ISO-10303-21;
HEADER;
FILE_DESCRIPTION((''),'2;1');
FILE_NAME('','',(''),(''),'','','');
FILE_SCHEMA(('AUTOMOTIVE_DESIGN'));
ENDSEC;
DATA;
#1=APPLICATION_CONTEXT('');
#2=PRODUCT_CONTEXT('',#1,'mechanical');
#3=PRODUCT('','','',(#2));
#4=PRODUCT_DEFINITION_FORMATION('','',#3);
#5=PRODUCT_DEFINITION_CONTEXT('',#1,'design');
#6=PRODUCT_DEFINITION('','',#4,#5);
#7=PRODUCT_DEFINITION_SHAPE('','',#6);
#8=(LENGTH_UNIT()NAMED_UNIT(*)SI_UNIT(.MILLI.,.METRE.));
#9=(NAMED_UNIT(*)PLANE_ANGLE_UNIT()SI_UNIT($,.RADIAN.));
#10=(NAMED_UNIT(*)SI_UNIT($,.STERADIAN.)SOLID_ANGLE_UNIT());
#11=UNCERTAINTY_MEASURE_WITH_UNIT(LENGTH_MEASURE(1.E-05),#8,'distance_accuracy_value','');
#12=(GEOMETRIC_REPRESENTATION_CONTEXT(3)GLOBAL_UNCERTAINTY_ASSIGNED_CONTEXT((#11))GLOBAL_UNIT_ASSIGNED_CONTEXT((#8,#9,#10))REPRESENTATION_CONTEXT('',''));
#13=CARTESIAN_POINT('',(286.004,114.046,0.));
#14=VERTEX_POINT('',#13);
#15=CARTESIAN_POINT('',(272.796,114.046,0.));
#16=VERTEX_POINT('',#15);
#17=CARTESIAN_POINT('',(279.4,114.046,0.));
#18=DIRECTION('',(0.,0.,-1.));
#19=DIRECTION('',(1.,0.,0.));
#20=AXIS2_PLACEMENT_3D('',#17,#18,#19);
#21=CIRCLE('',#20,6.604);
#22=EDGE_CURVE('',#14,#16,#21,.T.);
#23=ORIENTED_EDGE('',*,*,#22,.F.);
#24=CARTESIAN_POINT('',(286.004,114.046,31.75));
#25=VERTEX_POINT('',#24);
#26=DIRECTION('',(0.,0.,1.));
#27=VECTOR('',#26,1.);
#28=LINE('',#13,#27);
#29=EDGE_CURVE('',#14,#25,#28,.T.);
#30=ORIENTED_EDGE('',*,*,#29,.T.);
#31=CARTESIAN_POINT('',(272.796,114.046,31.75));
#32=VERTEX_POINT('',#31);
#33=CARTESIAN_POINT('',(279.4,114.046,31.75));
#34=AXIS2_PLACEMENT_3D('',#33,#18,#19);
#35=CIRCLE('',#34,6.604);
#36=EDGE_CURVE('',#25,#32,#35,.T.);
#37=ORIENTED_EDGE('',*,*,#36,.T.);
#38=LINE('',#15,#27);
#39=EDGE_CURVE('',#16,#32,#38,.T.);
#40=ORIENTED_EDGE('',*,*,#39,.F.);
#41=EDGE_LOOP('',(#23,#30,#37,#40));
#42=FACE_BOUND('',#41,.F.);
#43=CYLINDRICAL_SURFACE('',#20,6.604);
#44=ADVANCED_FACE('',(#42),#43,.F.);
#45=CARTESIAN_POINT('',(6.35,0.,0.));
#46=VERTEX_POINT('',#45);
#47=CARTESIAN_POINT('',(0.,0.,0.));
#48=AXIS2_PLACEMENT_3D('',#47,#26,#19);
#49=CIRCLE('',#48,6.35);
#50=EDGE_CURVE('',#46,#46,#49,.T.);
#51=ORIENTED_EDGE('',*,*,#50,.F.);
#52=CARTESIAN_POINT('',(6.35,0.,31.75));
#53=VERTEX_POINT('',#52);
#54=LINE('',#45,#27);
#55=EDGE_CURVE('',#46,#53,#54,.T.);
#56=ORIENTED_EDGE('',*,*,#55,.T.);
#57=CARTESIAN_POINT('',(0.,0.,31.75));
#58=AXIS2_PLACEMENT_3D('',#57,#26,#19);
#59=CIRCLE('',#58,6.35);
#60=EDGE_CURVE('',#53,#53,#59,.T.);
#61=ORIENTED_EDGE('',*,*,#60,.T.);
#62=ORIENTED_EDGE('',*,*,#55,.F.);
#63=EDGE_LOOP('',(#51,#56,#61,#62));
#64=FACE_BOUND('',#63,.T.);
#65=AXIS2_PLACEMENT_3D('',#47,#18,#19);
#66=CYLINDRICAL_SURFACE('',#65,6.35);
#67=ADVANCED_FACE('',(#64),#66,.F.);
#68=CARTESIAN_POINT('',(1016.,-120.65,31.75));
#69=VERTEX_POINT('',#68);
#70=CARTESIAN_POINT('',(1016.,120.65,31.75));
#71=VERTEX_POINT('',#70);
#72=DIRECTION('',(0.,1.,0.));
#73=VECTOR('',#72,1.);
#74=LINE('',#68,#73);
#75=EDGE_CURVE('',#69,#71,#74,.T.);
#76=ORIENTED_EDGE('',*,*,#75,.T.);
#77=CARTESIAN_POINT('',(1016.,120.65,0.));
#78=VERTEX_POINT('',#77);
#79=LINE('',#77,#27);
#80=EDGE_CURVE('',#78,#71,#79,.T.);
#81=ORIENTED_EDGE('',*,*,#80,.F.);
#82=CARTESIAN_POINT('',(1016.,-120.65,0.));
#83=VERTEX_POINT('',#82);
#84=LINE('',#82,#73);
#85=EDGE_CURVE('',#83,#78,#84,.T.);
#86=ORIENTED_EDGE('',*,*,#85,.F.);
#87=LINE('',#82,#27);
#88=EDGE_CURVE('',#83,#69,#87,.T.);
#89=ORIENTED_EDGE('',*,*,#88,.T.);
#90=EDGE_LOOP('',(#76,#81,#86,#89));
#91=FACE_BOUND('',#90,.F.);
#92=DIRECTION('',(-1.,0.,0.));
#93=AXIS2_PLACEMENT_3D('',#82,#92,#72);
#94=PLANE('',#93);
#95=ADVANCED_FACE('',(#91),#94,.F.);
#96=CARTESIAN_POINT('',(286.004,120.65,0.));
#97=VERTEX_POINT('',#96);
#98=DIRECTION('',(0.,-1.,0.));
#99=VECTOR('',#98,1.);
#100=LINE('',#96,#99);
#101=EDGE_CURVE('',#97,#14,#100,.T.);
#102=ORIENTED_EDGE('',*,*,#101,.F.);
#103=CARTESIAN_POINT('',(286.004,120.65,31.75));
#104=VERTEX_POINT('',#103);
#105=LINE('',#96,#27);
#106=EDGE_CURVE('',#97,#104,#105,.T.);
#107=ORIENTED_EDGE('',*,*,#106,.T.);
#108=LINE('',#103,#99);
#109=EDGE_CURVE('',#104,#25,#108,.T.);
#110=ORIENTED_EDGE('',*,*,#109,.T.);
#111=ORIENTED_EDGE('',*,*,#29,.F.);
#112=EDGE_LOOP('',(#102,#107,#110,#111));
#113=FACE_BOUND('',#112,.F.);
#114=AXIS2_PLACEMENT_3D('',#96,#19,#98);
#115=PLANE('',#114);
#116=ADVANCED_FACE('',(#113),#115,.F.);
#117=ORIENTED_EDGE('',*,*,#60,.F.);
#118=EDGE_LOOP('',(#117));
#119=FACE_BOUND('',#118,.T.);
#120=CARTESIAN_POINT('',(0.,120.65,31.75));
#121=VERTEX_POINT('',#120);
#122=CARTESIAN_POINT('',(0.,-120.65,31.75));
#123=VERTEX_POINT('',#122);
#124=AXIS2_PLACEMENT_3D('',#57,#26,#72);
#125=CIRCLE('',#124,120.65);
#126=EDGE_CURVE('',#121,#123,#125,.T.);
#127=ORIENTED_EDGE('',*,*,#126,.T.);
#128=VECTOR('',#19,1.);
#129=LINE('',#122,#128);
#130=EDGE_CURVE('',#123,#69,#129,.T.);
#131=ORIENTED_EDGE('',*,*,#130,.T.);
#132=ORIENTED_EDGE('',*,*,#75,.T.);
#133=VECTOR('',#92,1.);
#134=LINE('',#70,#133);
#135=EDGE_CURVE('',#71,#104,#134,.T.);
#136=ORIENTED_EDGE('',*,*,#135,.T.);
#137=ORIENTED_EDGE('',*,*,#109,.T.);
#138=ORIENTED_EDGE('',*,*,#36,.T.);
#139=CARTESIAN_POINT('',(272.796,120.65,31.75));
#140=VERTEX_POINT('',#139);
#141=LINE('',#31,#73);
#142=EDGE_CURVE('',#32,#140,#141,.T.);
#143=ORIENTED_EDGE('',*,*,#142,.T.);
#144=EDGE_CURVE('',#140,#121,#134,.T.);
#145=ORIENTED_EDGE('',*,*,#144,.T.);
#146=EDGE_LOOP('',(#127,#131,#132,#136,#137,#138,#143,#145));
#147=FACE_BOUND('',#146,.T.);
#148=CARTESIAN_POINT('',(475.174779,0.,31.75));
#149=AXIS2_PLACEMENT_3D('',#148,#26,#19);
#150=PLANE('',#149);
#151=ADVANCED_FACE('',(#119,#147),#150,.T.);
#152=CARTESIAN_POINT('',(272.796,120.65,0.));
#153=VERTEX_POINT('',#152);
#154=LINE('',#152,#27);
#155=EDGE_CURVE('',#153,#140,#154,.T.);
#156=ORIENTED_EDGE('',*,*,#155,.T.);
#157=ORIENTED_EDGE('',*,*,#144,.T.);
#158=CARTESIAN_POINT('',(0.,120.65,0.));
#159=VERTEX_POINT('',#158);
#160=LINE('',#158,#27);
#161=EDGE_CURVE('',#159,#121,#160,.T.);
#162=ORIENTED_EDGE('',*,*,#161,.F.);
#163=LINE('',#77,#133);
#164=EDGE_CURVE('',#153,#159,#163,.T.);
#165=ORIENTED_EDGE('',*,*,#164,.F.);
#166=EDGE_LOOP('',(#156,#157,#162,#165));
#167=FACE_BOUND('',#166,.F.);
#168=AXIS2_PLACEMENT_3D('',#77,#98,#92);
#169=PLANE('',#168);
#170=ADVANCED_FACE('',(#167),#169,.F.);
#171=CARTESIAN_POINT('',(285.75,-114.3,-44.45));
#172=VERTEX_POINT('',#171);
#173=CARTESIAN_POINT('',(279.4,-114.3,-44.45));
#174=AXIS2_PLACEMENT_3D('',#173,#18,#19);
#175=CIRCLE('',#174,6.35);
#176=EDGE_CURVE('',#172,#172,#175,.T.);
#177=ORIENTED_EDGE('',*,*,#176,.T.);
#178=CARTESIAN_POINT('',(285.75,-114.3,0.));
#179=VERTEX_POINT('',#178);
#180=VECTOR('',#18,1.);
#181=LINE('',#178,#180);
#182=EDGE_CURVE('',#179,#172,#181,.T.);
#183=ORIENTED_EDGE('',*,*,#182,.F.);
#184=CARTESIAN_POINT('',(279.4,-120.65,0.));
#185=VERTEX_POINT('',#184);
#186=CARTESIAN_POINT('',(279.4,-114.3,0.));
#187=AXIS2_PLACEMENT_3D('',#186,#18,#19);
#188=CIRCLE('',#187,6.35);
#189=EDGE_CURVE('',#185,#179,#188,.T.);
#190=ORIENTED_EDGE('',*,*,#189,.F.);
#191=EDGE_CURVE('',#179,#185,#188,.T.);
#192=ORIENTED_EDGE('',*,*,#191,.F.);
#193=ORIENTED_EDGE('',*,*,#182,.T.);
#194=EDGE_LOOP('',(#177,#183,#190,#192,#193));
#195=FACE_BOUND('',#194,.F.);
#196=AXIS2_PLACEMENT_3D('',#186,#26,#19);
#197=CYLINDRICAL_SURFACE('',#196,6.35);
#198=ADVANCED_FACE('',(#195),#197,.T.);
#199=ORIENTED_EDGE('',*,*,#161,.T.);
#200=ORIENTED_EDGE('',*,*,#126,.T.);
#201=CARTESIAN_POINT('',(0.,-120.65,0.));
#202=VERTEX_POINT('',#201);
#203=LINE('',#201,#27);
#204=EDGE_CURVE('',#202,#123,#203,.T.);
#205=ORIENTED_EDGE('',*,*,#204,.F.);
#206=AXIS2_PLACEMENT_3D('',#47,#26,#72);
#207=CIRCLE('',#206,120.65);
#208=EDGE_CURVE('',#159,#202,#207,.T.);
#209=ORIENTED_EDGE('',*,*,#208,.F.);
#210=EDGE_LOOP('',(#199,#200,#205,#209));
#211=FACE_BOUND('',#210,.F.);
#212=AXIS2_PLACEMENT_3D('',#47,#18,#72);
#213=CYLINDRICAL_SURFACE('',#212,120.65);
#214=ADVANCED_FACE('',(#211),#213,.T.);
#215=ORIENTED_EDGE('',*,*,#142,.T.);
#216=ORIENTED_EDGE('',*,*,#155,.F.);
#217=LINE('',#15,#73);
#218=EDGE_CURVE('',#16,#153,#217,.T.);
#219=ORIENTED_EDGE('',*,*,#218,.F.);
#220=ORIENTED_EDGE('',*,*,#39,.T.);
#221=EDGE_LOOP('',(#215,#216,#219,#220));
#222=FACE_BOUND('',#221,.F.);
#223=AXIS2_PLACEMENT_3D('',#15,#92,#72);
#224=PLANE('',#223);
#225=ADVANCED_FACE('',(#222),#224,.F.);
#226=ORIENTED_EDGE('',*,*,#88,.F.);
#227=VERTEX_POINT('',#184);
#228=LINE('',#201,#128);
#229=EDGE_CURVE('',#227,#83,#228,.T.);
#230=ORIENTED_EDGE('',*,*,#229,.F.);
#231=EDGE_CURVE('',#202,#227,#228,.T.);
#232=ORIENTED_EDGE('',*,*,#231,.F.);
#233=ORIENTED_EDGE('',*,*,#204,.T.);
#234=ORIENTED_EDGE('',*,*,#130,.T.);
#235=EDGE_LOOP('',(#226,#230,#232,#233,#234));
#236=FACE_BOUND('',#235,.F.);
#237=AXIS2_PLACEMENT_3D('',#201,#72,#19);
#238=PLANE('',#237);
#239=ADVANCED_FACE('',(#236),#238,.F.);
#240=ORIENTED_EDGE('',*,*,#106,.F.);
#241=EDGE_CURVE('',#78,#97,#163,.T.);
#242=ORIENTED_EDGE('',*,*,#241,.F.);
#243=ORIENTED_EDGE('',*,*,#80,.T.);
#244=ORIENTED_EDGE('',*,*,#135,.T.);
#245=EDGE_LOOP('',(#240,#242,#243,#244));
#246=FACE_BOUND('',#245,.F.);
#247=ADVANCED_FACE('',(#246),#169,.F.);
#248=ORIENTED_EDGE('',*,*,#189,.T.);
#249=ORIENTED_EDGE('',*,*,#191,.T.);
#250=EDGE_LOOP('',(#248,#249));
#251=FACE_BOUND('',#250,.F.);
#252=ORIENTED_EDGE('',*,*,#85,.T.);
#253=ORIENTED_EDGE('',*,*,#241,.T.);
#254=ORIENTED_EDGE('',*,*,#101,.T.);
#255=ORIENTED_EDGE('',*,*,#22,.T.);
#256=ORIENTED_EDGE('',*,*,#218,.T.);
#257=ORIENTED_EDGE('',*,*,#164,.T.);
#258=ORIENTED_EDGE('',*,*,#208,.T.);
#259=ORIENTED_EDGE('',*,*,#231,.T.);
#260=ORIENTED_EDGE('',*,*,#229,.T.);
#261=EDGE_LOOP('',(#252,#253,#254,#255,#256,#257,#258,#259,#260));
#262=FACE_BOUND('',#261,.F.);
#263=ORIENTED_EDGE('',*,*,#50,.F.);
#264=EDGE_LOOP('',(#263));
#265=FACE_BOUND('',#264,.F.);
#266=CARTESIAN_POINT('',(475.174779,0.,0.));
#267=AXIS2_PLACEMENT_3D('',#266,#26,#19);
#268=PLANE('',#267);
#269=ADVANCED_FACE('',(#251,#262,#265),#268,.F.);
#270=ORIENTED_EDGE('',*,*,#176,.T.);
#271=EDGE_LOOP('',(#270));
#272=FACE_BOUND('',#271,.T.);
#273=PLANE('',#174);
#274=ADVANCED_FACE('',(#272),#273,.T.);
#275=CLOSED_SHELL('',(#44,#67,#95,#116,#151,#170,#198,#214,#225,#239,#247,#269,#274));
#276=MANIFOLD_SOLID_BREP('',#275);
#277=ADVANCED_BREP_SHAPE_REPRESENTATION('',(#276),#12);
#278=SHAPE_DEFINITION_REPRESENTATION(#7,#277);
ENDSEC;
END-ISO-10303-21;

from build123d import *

# Parameters (mm, degrees)
F0_R     = 6.35
F1_DEPTH = 31.75
F2_R     = 6.35
F3_DEPTH = 44.45
F5_DEPTH = 31.75


with BuildPart() as f1:
    # F0 (on Top) → F1 (new body)
    with BuildSketch(Plane.XY):
        with BuildLine():
            Line((1016, 120.65), (0, 120.65))
            ThreePointArc((0, 120.65), (-120.65, 0), (0, -120.65))
            Line((0, -120.65), (1016, -120.65))
            Line((1016, -120.65), (1016, 120.65))
        make_face()
        Circle(F0_R, mode=Mode.SUBTRACT)
    extrude(amount=F1_DEPTH)

    # F2 (on face) → F3 (join)
    with BuildSketch(Plane(origin=(0, 0, 0), x_dir=(1, 0, 0), z_dir=(0, 0, -1))):
        with Locations((279.4, 114.3)):
            Circle(F2_R)
    extrude(amount=F3_DEPTH)

    # F4 (on face) → F5 (cut)
    with BuildSketch(Plane(origin=(0, 0, 0), x_dir=(1, 0, 0), z_dir=(0, 0, -1))):
        with BuildLine():
            Line((286.004, -120.65), (286.004, -114.046))
            ThreePointArc((286.004, -114.046), (279.4, -107.442), (272.796, -114.046))
            Line((272.796, -114.046), (272.796, -120.65))
            Line((272.796, -120.65), (286.004, -120.65))
        make_face()
    extrude(amount=-F5_DEPTH, mode=Mode.SUBTRACT)


solid = f1.part
